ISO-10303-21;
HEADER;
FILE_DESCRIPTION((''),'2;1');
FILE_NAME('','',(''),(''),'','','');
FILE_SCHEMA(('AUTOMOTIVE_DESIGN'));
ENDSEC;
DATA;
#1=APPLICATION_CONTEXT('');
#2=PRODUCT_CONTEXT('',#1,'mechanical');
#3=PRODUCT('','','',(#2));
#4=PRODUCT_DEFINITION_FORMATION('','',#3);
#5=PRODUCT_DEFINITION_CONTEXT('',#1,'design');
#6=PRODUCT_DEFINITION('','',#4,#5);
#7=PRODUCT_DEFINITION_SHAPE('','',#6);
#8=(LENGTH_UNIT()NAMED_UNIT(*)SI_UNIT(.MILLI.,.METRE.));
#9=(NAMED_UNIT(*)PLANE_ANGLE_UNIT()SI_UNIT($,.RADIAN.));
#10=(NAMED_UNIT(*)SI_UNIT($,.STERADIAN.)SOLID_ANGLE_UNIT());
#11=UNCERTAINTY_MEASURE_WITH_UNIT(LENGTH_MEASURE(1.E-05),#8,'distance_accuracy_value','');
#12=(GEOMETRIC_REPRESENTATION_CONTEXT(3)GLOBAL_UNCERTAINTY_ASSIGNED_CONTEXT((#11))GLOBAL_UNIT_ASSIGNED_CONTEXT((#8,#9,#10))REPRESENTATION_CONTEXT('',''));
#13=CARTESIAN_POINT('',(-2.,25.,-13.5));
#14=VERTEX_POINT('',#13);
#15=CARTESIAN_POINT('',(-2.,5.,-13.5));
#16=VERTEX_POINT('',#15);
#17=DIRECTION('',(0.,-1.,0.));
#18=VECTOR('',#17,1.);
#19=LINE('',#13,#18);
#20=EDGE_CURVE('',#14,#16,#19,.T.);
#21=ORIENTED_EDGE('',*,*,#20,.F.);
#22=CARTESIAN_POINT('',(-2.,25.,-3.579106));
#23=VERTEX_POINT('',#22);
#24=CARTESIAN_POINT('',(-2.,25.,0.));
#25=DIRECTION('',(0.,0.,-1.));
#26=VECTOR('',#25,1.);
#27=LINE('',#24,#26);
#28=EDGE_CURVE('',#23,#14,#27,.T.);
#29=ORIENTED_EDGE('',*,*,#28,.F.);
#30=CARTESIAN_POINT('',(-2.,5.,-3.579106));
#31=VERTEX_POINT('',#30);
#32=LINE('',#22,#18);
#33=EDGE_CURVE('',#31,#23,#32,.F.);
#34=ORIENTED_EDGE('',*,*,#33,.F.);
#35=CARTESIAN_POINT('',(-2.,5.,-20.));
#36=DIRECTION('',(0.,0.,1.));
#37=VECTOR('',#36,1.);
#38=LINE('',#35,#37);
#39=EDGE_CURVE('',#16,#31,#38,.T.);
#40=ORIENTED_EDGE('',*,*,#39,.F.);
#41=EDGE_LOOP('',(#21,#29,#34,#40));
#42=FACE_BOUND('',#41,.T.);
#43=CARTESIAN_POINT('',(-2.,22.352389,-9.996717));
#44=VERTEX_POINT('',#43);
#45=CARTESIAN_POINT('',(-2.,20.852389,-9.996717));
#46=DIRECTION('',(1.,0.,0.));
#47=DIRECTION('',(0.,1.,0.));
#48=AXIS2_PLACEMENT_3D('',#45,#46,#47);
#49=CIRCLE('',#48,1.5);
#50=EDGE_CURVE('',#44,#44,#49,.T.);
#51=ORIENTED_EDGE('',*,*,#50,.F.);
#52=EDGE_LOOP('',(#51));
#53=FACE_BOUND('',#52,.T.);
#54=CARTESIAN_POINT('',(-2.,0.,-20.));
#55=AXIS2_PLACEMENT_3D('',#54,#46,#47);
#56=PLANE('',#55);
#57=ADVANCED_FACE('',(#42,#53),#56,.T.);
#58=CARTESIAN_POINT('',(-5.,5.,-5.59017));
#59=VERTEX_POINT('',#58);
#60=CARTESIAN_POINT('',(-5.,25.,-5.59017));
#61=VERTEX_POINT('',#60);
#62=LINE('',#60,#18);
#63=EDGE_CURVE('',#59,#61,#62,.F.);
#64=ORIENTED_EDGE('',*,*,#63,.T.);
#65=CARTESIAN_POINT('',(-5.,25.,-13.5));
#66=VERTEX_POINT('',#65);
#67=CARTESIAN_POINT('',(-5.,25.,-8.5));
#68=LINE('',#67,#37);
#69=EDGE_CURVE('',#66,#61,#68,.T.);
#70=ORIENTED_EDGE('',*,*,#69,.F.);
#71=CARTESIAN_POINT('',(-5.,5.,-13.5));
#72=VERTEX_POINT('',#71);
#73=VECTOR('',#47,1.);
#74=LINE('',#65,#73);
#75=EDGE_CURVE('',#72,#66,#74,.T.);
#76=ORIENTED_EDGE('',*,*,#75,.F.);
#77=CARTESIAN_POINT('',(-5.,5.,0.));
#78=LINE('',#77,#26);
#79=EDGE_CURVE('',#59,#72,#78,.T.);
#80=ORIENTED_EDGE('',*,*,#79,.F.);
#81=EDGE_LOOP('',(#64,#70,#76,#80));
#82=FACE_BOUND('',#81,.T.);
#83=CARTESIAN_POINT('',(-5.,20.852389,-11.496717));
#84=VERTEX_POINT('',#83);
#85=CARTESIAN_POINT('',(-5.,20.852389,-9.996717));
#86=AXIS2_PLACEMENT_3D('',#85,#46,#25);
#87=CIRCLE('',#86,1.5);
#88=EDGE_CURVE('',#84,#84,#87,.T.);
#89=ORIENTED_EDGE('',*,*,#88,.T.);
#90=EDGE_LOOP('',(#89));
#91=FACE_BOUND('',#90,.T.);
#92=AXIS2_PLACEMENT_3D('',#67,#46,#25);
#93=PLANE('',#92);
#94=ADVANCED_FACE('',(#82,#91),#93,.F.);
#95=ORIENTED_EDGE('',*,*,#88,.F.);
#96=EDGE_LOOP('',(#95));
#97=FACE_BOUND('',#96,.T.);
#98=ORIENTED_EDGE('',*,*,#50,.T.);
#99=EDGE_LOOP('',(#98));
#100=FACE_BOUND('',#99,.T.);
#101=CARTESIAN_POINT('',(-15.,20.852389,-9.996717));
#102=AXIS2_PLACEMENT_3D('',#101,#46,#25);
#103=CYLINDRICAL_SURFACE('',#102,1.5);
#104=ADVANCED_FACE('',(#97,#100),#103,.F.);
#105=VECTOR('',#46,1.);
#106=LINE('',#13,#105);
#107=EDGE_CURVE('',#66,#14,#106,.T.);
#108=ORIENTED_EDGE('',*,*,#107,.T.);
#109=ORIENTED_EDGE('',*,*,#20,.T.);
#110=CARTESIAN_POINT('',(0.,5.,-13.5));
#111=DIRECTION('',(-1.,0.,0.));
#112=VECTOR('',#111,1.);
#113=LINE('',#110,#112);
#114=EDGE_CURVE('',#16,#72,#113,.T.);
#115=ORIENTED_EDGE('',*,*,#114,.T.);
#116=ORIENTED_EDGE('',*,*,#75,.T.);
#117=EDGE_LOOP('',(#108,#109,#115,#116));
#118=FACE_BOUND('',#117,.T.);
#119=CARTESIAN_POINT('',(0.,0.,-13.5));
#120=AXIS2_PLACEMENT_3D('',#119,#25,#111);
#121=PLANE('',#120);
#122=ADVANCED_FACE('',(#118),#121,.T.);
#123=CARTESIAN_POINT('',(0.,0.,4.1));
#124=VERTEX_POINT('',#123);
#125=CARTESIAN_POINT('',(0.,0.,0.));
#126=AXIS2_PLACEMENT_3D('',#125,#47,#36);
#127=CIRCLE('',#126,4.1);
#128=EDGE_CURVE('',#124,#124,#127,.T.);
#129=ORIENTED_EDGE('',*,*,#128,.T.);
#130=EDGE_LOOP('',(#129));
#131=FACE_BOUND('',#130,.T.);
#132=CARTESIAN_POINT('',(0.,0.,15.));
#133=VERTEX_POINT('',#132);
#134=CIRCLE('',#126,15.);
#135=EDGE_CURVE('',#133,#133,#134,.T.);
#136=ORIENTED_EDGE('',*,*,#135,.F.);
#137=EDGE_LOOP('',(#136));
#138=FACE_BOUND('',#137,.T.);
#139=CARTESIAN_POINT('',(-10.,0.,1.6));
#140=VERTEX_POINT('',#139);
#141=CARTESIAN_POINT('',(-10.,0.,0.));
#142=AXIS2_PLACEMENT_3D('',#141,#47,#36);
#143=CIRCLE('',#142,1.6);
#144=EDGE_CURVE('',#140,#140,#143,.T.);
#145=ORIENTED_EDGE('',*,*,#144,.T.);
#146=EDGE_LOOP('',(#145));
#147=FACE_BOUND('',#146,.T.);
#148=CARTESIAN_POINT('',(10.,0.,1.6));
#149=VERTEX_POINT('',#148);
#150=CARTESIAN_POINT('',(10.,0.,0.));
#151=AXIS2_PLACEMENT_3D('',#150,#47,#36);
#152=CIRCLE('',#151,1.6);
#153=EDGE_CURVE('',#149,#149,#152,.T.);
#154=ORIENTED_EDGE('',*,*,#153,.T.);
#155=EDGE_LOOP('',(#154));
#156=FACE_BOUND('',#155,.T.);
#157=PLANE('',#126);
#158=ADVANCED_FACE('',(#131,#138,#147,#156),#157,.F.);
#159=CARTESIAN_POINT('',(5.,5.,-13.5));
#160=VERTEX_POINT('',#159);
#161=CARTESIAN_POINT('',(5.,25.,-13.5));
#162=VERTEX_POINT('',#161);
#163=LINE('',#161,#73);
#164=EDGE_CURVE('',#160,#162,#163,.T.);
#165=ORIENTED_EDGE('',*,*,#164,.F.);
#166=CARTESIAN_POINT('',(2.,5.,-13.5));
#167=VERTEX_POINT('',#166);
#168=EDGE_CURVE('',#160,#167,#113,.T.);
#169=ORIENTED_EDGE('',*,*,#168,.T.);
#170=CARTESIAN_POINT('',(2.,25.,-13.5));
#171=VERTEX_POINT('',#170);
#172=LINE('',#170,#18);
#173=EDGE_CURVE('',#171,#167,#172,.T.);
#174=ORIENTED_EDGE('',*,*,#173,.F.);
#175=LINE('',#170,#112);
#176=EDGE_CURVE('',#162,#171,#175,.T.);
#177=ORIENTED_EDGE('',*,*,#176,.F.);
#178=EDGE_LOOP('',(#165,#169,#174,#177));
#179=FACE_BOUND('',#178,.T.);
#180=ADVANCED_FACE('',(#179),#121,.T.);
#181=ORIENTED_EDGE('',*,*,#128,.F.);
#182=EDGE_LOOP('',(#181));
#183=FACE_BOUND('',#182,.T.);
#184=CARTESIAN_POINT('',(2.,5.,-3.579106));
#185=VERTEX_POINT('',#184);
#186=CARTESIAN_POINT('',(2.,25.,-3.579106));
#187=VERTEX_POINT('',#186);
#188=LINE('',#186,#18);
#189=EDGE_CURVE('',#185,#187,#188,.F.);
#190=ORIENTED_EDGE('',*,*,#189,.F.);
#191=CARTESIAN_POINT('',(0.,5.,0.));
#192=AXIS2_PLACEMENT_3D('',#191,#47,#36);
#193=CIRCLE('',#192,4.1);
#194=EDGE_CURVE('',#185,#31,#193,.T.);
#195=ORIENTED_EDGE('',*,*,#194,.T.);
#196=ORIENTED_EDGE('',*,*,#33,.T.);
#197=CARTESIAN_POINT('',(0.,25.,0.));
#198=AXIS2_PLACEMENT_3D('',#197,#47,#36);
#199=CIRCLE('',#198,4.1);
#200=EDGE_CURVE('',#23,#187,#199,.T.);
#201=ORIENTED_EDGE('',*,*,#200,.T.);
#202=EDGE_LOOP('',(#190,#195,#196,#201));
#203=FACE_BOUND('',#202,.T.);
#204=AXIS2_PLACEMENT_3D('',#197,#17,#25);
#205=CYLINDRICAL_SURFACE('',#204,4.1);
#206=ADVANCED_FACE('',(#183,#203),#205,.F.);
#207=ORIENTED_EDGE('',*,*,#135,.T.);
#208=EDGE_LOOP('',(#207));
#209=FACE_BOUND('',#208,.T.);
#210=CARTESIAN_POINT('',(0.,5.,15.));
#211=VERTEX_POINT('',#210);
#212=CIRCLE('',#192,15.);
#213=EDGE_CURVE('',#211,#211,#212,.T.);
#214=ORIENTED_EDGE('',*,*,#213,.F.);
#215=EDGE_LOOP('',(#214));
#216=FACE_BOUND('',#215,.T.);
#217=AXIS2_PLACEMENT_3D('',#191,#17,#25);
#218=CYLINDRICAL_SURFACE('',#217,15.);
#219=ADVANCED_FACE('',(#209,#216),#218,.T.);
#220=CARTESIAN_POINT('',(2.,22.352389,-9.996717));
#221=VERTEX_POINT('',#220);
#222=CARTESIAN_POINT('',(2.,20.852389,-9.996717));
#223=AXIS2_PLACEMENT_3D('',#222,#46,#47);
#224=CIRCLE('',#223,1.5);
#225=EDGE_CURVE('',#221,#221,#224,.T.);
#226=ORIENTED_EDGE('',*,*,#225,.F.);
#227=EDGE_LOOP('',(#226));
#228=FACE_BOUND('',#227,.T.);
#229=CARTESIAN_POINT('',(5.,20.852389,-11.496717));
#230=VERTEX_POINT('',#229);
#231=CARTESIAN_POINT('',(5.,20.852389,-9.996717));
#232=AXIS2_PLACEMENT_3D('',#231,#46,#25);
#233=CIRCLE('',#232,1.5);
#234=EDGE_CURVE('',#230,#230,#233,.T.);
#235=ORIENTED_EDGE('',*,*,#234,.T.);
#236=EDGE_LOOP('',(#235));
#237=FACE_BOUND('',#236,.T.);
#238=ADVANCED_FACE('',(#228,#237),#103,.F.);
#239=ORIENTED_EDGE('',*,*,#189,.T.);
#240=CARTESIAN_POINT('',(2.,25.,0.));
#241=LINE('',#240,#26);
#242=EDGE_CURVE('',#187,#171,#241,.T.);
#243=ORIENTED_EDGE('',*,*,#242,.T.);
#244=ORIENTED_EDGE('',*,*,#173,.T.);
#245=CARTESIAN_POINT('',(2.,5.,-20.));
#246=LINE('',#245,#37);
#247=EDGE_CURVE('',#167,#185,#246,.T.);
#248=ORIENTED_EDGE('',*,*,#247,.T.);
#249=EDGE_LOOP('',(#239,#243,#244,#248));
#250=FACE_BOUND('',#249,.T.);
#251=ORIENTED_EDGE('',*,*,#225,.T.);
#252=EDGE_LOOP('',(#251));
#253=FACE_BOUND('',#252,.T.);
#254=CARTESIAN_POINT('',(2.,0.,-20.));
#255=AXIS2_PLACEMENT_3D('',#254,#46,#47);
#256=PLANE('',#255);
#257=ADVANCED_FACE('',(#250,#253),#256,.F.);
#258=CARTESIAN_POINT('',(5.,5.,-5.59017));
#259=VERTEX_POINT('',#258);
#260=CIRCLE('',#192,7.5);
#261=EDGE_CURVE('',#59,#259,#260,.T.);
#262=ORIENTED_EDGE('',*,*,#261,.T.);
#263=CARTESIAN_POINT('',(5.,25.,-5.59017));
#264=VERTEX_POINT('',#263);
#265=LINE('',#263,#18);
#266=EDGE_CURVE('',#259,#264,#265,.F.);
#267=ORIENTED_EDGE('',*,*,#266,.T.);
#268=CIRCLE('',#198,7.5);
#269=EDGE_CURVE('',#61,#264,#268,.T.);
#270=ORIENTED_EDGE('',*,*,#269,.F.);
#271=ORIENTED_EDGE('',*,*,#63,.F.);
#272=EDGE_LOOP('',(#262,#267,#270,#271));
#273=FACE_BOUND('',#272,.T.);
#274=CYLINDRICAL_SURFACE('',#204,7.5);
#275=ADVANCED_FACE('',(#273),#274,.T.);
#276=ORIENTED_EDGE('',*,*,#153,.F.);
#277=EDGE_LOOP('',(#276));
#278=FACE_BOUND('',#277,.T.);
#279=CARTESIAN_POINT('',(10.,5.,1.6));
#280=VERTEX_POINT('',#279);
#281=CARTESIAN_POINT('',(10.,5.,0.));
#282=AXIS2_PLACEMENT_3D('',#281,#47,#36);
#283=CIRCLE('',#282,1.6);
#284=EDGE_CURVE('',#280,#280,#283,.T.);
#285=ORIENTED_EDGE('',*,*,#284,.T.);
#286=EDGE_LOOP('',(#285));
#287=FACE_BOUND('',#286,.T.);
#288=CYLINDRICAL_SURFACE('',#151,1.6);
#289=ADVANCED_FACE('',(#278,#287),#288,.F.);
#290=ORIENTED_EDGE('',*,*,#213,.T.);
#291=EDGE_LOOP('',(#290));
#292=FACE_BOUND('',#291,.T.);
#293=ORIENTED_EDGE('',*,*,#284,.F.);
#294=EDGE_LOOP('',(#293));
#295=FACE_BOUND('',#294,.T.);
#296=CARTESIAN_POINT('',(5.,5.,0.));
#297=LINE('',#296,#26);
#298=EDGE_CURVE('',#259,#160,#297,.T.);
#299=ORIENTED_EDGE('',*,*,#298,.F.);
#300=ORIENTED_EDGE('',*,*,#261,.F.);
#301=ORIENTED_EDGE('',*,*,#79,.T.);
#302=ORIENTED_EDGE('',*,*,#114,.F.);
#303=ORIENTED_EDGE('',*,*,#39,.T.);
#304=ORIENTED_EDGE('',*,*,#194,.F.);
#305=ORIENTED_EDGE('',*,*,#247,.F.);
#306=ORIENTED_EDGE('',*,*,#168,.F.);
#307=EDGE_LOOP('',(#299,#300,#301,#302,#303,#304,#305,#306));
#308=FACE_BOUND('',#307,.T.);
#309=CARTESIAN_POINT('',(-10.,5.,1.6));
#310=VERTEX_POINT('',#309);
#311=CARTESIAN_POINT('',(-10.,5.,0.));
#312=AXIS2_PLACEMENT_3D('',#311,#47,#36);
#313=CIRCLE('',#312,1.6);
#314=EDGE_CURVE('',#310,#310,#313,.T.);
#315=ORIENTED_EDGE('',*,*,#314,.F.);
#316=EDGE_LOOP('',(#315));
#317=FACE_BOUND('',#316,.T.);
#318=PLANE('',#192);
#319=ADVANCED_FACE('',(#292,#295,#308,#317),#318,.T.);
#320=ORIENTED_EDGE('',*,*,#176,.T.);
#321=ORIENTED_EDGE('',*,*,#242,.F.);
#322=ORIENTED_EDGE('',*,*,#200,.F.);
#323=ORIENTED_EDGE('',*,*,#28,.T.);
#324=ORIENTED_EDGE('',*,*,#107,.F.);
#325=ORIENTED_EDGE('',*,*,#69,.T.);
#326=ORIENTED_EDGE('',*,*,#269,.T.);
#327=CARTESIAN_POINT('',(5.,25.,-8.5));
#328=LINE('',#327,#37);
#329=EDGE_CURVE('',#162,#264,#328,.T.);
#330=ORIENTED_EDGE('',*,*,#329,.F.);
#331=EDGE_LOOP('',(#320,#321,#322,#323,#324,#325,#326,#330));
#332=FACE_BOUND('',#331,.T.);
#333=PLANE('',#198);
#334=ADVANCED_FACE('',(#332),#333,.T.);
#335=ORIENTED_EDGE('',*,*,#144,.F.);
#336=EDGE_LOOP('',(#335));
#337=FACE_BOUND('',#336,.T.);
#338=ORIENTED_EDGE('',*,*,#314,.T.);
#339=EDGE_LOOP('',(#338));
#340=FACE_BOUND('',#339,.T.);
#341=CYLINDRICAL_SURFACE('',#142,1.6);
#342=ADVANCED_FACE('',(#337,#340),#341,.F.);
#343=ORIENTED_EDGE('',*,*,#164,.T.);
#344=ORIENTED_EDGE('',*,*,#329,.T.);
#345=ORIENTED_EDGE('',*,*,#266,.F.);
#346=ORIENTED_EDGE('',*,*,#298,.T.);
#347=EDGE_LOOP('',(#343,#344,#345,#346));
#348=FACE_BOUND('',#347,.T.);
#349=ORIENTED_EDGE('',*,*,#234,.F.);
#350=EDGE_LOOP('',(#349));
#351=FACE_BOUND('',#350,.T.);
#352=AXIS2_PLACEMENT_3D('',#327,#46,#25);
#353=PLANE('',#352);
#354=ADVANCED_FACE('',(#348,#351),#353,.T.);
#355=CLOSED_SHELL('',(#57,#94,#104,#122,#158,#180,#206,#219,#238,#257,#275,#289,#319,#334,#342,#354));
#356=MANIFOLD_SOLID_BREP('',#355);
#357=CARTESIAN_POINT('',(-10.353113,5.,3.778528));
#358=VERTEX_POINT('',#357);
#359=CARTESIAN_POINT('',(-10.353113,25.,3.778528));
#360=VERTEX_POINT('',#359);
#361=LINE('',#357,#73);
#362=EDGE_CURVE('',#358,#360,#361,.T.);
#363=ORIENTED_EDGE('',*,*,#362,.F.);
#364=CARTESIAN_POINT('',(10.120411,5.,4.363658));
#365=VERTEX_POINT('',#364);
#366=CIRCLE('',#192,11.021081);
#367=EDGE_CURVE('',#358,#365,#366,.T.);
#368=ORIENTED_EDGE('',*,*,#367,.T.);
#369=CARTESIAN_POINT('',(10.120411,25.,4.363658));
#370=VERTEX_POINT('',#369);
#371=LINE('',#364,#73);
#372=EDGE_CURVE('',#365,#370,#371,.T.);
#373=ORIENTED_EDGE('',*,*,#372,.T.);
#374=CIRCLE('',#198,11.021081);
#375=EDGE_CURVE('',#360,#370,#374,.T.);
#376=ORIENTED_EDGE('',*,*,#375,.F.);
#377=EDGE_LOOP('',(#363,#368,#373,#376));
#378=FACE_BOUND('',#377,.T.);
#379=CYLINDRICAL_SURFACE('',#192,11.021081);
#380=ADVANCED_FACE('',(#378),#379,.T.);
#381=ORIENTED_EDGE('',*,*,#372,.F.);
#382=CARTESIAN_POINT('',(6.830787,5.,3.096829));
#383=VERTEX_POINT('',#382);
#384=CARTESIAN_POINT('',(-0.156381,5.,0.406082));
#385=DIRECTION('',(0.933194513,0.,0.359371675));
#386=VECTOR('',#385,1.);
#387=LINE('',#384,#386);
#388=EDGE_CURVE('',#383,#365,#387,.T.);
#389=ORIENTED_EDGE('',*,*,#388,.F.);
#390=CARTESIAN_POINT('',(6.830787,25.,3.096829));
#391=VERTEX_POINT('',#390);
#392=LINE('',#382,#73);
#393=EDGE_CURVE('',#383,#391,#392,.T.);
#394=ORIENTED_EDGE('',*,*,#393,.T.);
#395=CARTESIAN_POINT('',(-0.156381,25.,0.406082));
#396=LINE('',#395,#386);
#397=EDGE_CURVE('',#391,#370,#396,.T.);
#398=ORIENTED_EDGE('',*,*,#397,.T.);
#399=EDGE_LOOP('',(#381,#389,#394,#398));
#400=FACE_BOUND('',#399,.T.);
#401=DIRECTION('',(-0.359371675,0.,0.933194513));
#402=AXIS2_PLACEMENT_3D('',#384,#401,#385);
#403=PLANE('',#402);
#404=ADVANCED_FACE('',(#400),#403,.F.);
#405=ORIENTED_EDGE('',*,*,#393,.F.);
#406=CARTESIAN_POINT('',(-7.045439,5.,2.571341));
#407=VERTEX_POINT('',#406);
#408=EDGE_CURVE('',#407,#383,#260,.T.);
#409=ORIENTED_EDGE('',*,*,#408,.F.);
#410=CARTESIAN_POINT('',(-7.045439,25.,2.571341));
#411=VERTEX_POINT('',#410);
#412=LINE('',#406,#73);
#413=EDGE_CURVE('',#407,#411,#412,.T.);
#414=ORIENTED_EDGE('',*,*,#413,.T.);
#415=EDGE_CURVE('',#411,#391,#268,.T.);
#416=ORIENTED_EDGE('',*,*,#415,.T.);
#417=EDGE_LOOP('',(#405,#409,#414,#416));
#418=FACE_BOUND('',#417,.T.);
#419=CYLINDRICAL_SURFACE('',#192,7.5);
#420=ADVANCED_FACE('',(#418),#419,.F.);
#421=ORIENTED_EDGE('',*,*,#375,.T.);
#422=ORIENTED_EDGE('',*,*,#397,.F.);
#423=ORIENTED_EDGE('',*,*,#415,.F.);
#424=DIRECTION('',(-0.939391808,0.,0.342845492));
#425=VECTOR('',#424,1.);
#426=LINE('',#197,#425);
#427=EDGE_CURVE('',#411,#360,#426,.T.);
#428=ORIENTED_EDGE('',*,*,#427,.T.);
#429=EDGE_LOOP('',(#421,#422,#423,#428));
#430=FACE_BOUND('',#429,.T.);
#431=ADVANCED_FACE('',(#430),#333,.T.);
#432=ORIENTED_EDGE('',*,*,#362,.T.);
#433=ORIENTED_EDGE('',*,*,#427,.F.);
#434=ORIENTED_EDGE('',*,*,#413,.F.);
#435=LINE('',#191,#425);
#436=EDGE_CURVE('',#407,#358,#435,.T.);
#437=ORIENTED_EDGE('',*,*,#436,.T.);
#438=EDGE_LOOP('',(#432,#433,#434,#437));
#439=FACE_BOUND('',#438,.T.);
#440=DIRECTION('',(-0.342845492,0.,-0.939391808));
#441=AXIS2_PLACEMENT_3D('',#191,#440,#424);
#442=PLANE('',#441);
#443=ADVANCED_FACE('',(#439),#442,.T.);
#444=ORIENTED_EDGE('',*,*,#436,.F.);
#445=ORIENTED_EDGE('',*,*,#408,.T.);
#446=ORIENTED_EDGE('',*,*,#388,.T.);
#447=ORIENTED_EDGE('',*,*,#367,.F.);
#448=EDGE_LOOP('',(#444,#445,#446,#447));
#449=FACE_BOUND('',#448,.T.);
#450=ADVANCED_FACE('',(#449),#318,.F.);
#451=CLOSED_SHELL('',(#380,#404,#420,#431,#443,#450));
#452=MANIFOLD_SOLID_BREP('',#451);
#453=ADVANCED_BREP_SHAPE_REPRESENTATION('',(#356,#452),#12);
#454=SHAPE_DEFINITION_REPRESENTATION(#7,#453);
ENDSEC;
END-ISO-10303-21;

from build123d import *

# Parameters (mm, degrees)
SKETCH_1_R           = 15
EXTRUDE_1_DEPTH      = 5
SKETCH_2_R           = 7.5
SKETCH_2_R_2         = 4.1
EXTRUDE_2_DEPTH      = 20
SKETCH_3_R           = 1.6
CUT_EXTRUDE_1_DEPTH  = 30.154759474
SKETCH_4_R           = 4.1
CUT_EXTRUDE_2_DEPTH  = 30.154759474
CUT_EXTRUDE_3_DEPTH  = 20
EXTRUDE_3_DEPTH      = 3
EXTRUDE_3_DEPTH_BACK = 5
SKETCH_8_R           = 1.5
CUT_EXTRUDE_4_DEPTH  = 36.355339059
EXTRUDE_4_DEPTH      = 20


with BuildPart() as part:
    # 草图1 → 凸台-拉伸1 (new body)
    with BuildSketch(Plane(origin=(0, 0, 0), x_dir=(1, 0, 0), z_dir=(0, 1, 0))):
        with Locations(Location((0, 0, 0), (0, 0, 270))):
            Circle(SKETCH_1_R)
    extrude(amount=EXTRUDE_1_DEPTH)

    # 草图2 → 凸台-拉伸2 (add)
    with BuildSketch(Plane(origin=(0, 5, 0), x_dir=(1, 0, 0), z_dir=(0, 1, 0))):
        with Locations(Location((0, 0, 0), (0, 0, 270))):
            Circle(SKETCH_2_R)
        with Locations(Location((0, 0, 0), (0, 0, 270))):
            Circle(SKETCH_2_R_2, mode=Mode.SUBTRACT)
    extrude(amount=EXTRUDE_2_DEPTH)

    # 草图3 → 切除-拉伸1 (cut, through all)
    with BuildSketch(Plane(origin=(0, 5, 0), x_dir=(1, 0, 0), z_dir=(0, 1, 0))):
        with Locations(Location((10, 0, 0), (0, 0, 270))):
            Circle(SKETCH_3_R)
        with Locations(Location((-10, 0, 0), (0, 0, 270))):
            Circle(SKETCH_3_R)
    extrude(amount=-CUT_EXTRUDE_1_DEPTH, mode=Mode.SUBTRACT)

    # 草图4 → 切除-拉伸2 (cut, through all)
    with BuildSketch(Plane(origin=(0, 5, 0), x_dir=(1, 0, 0), z_dir=(0, 1, 0))):
        with Locations(Location((0, 0, 0), (0, 0, 270))):
            Circle(SKETCH_4_R)
    extrude(amount=-CUT_EXTRUDE_2_DEPTH, mode=Mode.SUBTRACT)

    # 草图5 → 切除-拉伸3 (cut)
    with BuildSketch(Plane.XY):
        Polygon((-2, 30), (2, 30), (2, 5), (0, 5), (-2, 5), align=None)
    extrude(amount=-CUT_EXTRUDE_3_DEPTH, mode=Mode.SUBTRACT)

    # Sketch 3D_1 → 凸台-拉伸3 (add, two sides: drawn at the far end of the back side and taken through both)
    with BuildSketch(Plane(origin=(2, 25, -8.5), x_dir=(-0.3165266866074068, -0.9485836055221155, 0), z_dir=(0, 0, 1)).offset(-EXTRUDE_3_DEPTH_BACK)):
        Polygon((0, 0), (-0.94958006, 2.845750817), (18.30285653, 9.26997102), (19.25243659, 6.424220203), align=None)
        Polygon((1.266106746, -3.794334422), (2.215686806, -6.640085239), (22.11503894, 0), (21.165458881, 2.845750817), align=None)
    extrude(amount=EXTRUDE_3_DEPTH + EXTRUDE_3_DEPTH_BACK)

    # 草图8 → 切除-拉伸4 (cut, through all)
    with BuildSketch(Plane(origin=(5, 0, 0), x_dir=(0, 0, -1), z_dir=(1, 0, 0))):
        with Locations((9.996716615, 20.852388533)):
            Circle(SKETCH_8_R)
    extrude(amount=-CUT_EXTRUDE_4_DEPTH, mode=Mode.SUBTRACT)


with BuildPart() as body_2:
    # 草图13 → 凸台-拉伸4 (new body)
    with BuildSketch(Plane(origin=(0, 25, 0), x_dir=(1, 0, 0), z_dir=(0, 1, 0))):
        with BuildLine():
            ThreePointArc((6.830786983, -3.096828893), (-0.283818878, -7.494627866), (-7.045438558, -2.571341193))
            Line((-7.045438558, -2.571341193), (-10.353112879, -3.778527823))
            ThreePointArc((-10.353112879, -3.778527823), (-0.314852007, -11.016582365), (10.120410637, -4.363657563))
            Line((10.120410637, -4.363657563), (6.830786983, -3.096828893))
        make_face()
    extrude(amount=-EXTRUDE_4_DEPTH)


solid = Compound([part.part, body_2.part])
